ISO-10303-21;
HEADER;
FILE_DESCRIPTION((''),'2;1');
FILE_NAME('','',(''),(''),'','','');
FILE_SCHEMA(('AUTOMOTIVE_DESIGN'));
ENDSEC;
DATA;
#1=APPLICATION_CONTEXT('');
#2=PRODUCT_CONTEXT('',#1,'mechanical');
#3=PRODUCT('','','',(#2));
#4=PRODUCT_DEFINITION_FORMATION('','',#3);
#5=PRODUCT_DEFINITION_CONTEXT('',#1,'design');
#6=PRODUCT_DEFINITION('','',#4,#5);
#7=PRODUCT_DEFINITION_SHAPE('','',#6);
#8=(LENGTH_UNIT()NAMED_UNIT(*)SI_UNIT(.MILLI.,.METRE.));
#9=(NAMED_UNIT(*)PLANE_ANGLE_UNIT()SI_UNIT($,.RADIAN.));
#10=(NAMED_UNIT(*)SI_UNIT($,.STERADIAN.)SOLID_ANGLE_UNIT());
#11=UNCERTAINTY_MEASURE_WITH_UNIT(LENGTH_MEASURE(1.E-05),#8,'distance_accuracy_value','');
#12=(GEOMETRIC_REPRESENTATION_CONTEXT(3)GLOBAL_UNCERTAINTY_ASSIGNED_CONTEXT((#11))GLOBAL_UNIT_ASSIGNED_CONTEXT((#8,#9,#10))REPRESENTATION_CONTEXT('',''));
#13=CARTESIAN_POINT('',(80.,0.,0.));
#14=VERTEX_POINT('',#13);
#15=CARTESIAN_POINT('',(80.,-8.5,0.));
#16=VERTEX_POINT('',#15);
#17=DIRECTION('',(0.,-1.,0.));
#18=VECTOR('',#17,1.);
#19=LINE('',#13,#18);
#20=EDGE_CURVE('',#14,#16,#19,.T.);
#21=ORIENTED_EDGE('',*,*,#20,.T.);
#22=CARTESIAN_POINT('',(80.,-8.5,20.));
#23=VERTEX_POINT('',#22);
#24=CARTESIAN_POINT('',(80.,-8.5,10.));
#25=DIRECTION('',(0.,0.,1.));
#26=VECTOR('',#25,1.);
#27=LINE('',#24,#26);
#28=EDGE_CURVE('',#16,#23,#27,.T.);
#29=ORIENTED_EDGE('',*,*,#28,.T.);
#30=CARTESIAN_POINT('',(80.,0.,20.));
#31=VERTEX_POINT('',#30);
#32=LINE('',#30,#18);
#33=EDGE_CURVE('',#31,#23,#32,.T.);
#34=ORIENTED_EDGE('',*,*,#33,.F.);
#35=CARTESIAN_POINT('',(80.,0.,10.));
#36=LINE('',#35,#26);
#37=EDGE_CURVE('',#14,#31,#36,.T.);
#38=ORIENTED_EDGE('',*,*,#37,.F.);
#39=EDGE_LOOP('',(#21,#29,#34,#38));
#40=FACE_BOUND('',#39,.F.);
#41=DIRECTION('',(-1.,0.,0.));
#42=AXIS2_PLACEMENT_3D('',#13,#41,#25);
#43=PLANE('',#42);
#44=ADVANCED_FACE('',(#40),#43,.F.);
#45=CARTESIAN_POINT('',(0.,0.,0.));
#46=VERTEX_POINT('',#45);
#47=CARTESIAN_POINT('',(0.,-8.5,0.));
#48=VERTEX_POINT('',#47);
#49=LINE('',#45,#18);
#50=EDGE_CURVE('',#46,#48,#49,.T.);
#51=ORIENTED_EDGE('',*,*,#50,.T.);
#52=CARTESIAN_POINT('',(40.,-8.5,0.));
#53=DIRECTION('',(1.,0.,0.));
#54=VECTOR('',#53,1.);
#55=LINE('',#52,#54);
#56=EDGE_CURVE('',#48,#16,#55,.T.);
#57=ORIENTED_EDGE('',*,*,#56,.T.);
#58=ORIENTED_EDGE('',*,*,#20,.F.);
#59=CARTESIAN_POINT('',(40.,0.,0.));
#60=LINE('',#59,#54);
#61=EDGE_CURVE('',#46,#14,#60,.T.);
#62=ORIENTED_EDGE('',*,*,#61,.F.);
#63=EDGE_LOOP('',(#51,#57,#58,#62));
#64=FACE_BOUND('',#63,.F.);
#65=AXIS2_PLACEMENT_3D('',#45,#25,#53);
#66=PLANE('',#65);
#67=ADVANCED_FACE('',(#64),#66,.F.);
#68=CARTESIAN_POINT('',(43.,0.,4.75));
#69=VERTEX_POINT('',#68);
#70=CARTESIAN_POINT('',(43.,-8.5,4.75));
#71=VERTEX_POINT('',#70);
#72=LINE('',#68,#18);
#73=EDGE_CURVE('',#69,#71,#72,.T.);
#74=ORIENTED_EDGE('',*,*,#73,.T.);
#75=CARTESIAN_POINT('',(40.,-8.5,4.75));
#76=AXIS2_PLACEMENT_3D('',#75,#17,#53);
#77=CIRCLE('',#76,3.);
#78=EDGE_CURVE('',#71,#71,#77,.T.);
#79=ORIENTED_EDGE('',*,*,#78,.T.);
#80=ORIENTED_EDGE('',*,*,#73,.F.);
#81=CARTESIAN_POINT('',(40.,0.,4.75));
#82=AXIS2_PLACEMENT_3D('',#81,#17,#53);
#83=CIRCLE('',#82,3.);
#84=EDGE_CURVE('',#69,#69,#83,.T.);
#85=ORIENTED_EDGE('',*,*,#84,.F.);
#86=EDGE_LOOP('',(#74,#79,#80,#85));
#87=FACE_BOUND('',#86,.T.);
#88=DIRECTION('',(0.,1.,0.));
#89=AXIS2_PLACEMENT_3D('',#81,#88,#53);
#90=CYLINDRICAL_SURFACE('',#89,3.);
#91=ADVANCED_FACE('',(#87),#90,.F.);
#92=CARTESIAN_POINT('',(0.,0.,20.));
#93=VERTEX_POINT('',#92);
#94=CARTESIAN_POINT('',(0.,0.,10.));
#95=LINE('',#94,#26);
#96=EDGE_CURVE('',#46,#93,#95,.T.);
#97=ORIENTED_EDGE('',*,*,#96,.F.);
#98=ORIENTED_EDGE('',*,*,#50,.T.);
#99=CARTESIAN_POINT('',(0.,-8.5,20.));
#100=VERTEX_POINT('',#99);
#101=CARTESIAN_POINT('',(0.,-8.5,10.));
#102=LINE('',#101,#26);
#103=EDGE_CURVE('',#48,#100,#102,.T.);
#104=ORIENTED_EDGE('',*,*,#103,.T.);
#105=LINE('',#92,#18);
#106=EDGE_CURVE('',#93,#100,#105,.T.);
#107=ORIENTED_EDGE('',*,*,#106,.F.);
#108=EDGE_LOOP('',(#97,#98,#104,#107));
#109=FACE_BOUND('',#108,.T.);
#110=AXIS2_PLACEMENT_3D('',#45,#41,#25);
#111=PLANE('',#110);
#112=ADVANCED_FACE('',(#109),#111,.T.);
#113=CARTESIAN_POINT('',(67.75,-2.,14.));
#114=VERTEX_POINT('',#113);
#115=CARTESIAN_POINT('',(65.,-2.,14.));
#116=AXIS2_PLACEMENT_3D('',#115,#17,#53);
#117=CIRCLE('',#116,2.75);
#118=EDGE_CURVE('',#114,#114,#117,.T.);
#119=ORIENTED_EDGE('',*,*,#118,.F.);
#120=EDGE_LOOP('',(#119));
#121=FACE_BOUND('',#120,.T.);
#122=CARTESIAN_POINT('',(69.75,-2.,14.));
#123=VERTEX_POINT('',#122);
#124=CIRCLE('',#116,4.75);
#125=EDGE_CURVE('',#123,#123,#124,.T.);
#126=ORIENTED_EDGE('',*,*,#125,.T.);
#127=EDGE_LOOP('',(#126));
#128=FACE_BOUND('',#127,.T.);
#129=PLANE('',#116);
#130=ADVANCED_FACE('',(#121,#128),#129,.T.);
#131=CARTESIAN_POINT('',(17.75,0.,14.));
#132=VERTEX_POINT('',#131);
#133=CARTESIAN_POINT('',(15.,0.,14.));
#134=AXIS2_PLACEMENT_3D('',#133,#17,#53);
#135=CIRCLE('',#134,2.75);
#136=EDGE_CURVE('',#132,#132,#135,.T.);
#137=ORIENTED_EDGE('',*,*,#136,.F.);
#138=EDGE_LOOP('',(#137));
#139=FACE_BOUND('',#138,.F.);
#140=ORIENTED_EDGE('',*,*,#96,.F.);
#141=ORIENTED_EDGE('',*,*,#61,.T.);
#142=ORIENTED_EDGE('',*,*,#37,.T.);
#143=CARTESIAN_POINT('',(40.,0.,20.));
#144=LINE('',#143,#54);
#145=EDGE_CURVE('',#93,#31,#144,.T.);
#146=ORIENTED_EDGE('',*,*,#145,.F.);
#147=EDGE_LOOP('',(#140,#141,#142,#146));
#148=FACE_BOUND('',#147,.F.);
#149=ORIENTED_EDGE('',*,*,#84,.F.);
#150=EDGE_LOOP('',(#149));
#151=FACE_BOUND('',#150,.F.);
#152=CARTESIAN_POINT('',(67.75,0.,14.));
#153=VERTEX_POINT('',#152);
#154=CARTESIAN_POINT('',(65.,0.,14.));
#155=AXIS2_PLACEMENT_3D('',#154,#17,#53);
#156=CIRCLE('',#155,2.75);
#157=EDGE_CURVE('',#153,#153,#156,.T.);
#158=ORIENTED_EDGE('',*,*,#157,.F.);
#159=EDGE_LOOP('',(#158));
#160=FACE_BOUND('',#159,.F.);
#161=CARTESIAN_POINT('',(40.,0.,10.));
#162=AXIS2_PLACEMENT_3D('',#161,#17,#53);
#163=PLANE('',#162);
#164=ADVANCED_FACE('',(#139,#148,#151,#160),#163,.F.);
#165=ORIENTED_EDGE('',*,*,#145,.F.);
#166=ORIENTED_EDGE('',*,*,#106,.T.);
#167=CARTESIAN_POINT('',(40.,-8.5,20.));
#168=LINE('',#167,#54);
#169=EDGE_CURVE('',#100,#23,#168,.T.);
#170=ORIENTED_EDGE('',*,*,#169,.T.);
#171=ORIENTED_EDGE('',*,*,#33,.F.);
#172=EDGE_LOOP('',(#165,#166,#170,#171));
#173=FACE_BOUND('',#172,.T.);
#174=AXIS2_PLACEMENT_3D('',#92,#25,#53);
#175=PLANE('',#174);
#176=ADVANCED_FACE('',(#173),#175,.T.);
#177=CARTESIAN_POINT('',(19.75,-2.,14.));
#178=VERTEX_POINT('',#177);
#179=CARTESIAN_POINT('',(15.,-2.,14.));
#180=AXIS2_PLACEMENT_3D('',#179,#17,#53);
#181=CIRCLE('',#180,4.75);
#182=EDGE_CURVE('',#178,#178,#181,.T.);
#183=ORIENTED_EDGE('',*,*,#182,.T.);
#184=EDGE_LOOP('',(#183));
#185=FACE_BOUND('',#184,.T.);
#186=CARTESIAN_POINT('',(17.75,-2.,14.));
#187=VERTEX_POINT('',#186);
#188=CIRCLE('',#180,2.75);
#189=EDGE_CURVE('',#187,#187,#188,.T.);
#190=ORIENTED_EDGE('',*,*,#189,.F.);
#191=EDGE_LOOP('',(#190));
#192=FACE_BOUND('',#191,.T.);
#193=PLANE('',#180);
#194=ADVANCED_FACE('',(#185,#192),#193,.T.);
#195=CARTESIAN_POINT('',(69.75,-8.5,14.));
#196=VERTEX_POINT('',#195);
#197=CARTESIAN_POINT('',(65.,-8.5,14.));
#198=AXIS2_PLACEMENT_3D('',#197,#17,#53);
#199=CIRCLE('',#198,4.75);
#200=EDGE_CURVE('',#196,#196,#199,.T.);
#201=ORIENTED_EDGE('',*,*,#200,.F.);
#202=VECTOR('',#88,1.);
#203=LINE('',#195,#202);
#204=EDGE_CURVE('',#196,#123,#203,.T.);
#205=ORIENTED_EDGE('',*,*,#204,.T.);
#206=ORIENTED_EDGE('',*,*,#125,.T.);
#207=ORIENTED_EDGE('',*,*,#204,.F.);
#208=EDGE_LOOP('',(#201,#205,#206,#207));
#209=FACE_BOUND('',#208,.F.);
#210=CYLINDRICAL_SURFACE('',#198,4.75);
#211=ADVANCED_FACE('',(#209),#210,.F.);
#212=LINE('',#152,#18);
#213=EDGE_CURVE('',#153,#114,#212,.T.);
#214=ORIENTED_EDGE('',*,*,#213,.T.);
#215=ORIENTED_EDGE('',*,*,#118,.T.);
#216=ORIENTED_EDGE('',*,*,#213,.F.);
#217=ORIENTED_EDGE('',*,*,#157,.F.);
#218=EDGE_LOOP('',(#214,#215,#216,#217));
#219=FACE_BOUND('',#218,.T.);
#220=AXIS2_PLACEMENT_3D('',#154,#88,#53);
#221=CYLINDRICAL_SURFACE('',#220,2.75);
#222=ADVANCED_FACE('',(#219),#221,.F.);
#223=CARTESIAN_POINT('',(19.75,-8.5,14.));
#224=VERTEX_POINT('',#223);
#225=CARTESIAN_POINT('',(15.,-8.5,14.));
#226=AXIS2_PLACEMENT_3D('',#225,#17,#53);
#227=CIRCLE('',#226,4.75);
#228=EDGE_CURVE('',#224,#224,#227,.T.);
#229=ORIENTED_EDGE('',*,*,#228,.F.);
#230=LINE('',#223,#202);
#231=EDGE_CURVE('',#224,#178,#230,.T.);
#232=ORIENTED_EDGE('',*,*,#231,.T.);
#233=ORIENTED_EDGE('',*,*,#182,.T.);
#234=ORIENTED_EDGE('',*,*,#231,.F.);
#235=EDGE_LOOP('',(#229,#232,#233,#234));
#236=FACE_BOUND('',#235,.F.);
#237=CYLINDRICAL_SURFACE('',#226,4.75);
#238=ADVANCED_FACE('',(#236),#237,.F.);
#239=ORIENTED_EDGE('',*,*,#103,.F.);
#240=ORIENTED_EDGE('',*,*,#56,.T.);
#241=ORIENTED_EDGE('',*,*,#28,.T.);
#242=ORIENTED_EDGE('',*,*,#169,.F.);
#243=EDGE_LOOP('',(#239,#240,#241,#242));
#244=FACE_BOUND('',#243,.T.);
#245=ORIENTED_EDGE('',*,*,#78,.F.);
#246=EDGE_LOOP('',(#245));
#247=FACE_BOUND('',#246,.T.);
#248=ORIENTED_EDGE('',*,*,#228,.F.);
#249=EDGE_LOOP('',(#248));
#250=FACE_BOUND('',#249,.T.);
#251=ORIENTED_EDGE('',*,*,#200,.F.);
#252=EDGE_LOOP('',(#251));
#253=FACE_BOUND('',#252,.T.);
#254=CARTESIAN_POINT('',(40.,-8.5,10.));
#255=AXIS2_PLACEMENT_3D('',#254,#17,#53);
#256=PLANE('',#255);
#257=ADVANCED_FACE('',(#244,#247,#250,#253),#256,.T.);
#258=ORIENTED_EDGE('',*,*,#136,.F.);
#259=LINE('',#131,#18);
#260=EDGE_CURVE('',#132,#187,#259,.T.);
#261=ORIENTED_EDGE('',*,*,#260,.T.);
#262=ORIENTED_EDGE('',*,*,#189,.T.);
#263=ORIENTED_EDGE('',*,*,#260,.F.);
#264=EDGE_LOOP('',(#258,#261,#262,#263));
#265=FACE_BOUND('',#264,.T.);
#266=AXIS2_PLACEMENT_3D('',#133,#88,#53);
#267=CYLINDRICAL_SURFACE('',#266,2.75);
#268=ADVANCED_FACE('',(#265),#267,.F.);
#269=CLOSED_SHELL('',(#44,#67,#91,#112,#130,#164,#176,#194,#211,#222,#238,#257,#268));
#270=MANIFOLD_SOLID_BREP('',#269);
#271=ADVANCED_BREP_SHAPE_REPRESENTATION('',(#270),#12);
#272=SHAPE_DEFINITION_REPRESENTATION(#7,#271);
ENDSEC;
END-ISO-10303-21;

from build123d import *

# Parameters (mm, degrees)
F0_W     = 80
F0_H     = 20
F0_R     = 3
F0_R_2   = 2.75
F1_DEPTH = 8.5
F2_R     = 4.75
F2_R_2   = 2.75
F3_DEPTH = 6.5


with BuildPart() as f1:
    # F0 (on Front) → F1 (new body)
    with BuildSketch(Plane.XZ):
        with Locations((40, 10)):
            Rectangle(F0_W, F0_H)
        with Locations((40, 4.75)):
            Circle(F0_R, mode=Mode.SUBTRACT)
        with Locations((15, 14)):
            Circle(F0_R_2, mode=Mode.SUBTRACT)
        with Locations((65, 14)):
            Circle(F0_R_2, mode=Mode.SUBTRACT)
    extrude(amount=F1_DEPTH)

    # F2 (on face) → F3 (cut)
    with BuildSketch(Plane.XZ.offset(8.5)):
        with Locations((15, 14)):
            Circle(F2_R)
        with Locations((15, 14)):
            Circle(F2_R_2, mode=Mode.SUBTRACT)
        with Locations((65, 14)):
            Circle(F2_R)
        with Locations((65, 14)):
            Circle(F2_R_2, mode=Mode.SUBTRACT)
    extrude(amount=-F3_DEPTH, mode=Mode.SUBTRACT)


solid = f1.part
